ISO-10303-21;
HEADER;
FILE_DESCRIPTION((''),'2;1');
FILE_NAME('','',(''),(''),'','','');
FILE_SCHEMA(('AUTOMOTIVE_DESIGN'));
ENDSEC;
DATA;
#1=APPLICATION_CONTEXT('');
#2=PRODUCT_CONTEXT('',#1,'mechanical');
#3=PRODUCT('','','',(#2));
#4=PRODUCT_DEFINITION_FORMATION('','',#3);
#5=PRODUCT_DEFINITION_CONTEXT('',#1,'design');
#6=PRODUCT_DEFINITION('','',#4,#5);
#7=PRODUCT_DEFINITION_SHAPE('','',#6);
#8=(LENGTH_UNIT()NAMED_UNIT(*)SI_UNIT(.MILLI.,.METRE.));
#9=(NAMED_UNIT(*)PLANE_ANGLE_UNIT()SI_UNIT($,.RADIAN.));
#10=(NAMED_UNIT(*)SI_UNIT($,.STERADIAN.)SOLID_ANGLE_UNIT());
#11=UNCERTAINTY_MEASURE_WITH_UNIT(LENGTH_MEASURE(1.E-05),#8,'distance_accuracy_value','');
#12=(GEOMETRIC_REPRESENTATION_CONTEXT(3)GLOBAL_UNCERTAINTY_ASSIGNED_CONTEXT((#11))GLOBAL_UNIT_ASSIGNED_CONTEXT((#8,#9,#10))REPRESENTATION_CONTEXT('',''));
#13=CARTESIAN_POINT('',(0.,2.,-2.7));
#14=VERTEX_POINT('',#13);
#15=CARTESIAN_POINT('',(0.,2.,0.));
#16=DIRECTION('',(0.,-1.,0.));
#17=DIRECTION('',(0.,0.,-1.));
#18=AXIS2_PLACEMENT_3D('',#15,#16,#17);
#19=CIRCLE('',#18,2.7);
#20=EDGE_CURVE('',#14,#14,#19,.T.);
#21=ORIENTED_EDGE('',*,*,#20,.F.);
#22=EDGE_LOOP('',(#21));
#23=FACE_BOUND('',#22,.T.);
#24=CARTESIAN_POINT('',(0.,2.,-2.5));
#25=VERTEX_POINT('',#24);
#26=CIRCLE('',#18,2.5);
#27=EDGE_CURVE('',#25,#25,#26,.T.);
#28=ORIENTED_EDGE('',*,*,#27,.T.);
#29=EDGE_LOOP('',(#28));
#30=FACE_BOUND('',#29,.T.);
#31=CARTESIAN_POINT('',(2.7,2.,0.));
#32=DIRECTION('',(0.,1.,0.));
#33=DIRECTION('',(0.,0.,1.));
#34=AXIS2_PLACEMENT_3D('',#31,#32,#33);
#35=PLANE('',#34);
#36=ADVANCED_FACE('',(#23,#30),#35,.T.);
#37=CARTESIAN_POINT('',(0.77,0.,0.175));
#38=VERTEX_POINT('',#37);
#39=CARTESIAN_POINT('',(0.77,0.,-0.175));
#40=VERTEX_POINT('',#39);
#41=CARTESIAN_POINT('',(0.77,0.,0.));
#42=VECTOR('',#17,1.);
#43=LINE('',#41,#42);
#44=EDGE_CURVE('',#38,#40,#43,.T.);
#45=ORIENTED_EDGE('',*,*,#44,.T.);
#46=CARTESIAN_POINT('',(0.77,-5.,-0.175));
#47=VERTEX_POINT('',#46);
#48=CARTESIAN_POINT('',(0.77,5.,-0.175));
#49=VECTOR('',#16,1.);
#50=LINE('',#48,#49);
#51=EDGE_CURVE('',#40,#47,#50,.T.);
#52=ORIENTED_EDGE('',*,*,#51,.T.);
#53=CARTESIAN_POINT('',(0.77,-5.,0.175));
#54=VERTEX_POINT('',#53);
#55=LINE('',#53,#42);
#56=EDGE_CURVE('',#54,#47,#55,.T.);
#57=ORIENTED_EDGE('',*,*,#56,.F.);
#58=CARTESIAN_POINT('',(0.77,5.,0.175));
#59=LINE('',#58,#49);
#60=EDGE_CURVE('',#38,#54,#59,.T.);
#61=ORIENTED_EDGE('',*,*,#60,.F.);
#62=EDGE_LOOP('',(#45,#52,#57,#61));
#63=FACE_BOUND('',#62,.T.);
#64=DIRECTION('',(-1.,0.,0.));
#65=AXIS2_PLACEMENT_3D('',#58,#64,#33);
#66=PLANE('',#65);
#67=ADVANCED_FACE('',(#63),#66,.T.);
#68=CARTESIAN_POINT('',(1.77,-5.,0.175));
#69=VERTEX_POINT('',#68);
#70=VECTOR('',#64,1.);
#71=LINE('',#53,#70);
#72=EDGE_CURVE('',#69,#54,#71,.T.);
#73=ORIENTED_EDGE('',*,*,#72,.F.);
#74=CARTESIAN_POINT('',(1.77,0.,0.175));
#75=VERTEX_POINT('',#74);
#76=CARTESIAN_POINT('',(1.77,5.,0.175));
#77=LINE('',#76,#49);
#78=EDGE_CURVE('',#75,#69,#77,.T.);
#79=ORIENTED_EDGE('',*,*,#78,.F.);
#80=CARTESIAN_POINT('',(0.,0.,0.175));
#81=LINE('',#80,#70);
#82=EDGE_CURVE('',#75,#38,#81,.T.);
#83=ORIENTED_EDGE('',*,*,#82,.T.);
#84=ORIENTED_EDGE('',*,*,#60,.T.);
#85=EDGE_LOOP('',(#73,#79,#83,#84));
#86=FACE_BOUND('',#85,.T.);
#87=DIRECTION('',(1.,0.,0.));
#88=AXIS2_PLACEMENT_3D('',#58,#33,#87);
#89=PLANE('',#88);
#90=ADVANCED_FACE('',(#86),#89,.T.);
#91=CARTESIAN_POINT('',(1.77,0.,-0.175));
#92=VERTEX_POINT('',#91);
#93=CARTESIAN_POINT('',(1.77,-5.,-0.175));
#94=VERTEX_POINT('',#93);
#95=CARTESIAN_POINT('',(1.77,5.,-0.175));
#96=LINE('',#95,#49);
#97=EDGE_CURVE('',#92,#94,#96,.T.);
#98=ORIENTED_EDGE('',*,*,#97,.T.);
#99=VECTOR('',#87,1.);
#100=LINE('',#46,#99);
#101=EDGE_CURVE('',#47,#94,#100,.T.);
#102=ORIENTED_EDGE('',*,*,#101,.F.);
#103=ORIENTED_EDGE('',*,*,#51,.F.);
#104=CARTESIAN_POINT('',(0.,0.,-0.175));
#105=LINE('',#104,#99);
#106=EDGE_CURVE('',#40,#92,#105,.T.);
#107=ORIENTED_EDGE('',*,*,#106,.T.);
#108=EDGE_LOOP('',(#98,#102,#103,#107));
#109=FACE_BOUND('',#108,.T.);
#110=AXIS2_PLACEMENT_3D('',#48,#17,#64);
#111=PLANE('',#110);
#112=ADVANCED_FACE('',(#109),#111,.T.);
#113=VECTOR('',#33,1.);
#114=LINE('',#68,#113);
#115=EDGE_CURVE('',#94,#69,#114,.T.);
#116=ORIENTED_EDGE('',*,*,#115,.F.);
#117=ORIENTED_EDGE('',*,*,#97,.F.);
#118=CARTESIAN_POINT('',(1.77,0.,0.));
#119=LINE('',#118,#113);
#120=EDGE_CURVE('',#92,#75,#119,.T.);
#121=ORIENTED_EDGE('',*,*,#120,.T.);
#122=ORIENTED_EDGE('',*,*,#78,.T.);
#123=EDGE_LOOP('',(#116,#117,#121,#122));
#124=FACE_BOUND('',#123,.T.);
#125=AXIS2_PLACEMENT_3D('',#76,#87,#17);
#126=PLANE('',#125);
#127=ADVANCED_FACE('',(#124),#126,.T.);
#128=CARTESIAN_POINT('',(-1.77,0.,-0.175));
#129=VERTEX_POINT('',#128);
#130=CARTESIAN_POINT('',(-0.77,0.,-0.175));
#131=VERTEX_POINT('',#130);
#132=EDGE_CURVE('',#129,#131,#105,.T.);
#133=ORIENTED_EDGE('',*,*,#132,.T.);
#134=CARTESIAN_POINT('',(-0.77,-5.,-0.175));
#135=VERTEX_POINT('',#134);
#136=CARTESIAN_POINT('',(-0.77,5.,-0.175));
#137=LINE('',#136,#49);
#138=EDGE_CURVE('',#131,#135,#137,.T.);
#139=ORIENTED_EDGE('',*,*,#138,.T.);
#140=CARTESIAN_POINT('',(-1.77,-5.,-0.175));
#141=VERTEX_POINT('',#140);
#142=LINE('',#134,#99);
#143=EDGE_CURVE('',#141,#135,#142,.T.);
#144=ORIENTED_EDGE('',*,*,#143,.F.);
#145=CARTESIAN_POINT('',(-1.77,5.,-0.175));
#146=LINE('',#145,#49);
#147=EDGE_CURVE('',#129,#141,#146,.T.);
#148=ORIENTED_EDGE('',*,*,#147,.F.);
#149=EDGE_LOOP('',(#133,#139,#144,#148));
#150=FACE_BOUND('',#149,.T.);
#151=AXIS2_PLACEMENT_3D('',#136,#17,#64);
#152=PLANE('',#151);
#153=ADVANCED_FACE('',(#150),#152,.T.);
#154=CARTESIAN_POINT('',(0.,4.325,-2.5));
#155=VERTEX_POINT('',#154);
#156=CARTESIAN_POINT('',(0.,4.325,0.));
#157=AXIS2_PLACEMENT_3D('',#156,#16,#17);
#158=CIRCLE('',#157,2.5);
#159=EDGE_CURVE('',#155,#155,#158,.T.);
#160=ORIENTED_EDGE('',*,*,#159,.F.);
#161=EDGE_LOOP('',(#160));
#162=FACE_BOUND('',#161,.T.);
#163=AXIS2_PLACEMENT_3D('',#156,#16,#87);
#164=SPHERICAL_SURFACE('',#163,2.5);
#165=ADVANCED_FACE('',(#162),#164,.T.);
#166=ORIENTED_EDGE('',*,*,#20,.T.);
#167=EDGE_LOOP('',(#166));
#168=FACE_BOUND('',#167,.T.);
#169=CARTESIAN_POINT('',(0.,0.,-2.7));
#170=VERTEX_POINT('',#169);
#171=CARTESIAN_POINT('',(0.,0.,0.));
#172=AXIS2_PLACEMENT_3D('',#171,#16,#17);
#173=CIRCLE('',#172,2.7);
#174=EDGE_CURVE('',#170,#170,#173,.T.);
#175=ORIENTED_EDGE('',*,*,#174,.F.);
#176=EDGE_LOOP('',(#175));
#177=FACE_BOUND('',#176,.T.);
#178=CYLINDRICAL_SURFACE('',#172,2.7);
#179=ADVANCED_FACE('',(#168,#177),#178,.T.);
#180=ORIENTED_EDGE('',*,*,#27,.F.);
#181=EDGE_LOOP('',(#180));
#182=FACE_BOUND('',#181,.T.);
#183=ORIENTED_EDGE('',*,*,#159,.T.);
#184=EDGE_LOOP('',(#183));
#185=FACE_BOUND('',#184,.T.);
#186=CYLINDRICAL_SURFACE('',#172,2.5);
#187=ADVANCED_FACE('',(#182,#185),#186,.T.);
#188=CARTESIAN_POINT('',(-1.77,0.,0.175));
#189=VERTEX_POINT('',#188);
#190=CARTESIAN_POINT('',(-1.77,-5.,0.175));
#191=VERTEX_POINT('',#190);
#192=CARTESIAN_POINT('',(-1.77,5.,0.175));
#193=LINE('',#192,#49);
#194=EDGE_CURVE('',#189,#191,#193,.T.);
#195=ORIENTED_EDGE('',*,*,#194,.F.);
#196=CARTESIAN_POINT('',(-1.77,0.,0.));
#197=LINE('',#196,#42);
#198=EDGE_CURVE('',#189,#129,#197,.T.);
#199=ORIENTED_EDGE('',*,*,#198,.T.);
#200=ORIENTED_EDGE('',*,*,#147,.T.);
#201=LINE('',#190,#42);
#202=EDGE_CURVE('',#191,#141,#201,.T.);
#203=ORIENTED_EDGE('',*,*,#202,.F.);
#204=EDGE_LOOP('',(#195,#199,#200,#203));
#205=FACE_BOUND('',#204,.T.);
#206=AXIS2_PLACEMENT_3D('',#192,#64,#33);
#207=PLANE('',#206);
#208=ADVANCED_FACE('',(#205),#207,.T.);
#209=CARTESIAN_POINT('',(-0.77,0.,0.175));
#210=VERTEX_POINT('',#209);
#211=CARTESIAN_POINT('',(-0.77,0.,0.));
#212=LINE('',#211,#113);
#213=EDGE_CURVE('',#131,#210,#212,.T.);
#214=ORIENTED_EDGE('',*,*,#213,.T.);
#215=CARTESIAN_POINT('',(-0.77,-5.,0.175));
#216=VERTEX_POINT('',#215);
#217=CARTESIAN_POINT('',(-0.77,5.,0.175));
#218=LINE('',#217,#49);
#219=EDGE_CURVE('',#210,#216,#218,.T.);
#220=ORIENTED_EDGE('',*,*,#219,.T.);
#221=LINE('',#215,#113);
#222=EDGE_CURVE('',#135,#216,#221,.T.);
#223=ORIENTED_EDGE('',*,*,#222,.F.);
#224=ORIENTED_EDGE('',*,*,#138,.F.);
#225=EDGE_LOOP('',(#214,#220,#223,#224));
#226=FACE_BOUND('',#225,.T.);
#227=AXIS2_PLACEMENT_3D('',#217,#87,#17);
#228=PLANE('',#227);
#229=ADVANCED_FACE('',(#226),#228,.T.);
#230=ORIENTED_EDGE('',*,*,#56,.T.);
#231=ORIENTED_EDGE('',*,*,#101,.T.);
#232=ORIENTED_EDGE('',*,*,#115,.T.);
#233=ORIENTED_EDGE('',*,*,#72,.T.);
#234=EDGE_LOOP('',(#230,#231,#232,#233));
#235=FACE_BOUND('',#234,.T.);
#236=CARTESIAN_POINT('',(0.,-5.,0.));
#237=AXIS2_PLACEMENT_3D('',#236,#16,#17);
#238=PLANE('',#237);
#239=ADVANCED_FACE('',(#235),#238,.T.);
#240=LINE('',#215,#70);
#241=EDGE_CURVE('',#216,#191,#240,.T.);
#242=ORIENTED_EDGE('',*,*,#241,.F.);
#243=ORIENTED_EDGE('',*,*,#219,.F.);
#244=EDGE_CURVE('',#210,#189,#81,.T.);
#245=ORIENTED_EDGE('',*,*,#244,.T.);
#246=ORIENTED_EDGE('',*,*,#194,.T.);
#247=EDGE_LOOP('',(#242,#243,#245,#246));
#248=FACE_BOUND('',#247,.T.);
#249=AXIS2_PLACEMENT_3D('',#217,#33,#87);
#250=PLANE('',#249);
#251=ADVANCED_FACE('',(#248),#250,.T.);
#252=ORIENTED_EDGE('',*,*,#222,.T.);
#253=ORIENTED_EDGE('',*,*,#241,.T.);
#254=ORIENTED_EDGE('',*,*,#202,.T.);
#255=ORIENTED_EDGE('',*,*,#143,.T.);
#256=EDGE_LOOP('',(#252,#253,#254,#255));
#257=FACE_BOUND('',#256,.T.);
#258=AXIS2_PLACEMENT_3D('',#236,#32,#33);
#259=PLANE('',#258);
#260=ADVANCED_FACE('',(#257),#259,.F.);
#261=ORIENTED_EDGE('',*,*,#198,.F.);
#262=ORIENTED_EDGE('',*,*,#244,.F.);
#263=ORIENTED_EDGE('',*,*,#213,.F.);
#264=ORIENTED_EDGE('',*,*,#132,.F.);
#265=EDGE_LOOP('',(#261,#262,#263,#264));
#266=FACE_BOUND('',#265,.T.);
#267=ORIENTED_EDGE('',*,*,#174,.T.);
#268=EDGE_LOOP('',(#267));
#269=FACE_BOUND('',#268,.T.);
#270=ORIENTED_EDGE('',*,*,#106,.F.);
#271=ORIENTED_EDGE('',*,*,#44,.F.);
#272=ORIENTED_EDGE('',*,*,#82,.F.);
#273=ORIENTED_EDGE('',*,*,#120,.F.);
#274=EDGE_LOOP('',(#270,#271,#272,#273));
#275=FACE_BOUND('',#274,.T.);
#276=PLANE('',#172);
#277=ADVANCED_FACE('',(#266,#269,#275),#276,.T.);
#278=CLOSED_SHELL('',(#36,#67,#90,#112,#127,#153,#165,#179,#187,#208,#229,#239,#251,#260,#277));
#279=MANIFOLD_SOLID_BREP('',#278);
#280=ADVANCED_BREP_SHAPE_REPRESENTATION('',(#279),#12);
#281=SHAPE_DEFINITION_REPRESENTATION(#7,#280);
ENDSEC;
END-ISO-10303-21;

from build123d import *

# Parameters (mm, degrees)
SKETCH2_W                = 1
SKETCH2_H                = 0.35
BOSS_EXTRUDE1_DEPTH      = 5
BOSS_EXTRUDE1_DEPTH_BACK = 5


with BuildPart() as part:
    # Sketch1 → Revolve1 (revolve)
    with BuildSketch(Plane.XY):
        with BuildLine():
            Line((0, 0), (0, 6.825))
            ThreePointArc((0, 6.825), (1.767766953, 6.092766953), (2.5, 4.325))
            Line((2.5, 4.325), (2.5, 2))
            Line((2.5, 2), (2.7, 2))
            Line((2.7, 2), (2.7, 0))
            Line((2.7, 0), (0, 0))
        make_face()
    revolve(axis=Axis((0, 0, 0), (0, 1, 0)))

    # Sketch2 → Boss-Extrude1 (add, two sides)
    with BuildSketch(Plane.XZ) as boss_extrude1_sk:
        with Locations((1.27, 0)):
            Rectangle(SKETCH2_W, SKETCH2_H)
        with Locations((-1.27, 0)):
            Rectangle(SKETCH2_W, SKETCH2_H)
    extrude(amount=BOSS_EXTRUDE1_DEPTH)
    extrude(boss_extrude1_sk.sketch, amount=-BOSS_EXTRUDE1_DEPTH_BACK)


solid = part.part
